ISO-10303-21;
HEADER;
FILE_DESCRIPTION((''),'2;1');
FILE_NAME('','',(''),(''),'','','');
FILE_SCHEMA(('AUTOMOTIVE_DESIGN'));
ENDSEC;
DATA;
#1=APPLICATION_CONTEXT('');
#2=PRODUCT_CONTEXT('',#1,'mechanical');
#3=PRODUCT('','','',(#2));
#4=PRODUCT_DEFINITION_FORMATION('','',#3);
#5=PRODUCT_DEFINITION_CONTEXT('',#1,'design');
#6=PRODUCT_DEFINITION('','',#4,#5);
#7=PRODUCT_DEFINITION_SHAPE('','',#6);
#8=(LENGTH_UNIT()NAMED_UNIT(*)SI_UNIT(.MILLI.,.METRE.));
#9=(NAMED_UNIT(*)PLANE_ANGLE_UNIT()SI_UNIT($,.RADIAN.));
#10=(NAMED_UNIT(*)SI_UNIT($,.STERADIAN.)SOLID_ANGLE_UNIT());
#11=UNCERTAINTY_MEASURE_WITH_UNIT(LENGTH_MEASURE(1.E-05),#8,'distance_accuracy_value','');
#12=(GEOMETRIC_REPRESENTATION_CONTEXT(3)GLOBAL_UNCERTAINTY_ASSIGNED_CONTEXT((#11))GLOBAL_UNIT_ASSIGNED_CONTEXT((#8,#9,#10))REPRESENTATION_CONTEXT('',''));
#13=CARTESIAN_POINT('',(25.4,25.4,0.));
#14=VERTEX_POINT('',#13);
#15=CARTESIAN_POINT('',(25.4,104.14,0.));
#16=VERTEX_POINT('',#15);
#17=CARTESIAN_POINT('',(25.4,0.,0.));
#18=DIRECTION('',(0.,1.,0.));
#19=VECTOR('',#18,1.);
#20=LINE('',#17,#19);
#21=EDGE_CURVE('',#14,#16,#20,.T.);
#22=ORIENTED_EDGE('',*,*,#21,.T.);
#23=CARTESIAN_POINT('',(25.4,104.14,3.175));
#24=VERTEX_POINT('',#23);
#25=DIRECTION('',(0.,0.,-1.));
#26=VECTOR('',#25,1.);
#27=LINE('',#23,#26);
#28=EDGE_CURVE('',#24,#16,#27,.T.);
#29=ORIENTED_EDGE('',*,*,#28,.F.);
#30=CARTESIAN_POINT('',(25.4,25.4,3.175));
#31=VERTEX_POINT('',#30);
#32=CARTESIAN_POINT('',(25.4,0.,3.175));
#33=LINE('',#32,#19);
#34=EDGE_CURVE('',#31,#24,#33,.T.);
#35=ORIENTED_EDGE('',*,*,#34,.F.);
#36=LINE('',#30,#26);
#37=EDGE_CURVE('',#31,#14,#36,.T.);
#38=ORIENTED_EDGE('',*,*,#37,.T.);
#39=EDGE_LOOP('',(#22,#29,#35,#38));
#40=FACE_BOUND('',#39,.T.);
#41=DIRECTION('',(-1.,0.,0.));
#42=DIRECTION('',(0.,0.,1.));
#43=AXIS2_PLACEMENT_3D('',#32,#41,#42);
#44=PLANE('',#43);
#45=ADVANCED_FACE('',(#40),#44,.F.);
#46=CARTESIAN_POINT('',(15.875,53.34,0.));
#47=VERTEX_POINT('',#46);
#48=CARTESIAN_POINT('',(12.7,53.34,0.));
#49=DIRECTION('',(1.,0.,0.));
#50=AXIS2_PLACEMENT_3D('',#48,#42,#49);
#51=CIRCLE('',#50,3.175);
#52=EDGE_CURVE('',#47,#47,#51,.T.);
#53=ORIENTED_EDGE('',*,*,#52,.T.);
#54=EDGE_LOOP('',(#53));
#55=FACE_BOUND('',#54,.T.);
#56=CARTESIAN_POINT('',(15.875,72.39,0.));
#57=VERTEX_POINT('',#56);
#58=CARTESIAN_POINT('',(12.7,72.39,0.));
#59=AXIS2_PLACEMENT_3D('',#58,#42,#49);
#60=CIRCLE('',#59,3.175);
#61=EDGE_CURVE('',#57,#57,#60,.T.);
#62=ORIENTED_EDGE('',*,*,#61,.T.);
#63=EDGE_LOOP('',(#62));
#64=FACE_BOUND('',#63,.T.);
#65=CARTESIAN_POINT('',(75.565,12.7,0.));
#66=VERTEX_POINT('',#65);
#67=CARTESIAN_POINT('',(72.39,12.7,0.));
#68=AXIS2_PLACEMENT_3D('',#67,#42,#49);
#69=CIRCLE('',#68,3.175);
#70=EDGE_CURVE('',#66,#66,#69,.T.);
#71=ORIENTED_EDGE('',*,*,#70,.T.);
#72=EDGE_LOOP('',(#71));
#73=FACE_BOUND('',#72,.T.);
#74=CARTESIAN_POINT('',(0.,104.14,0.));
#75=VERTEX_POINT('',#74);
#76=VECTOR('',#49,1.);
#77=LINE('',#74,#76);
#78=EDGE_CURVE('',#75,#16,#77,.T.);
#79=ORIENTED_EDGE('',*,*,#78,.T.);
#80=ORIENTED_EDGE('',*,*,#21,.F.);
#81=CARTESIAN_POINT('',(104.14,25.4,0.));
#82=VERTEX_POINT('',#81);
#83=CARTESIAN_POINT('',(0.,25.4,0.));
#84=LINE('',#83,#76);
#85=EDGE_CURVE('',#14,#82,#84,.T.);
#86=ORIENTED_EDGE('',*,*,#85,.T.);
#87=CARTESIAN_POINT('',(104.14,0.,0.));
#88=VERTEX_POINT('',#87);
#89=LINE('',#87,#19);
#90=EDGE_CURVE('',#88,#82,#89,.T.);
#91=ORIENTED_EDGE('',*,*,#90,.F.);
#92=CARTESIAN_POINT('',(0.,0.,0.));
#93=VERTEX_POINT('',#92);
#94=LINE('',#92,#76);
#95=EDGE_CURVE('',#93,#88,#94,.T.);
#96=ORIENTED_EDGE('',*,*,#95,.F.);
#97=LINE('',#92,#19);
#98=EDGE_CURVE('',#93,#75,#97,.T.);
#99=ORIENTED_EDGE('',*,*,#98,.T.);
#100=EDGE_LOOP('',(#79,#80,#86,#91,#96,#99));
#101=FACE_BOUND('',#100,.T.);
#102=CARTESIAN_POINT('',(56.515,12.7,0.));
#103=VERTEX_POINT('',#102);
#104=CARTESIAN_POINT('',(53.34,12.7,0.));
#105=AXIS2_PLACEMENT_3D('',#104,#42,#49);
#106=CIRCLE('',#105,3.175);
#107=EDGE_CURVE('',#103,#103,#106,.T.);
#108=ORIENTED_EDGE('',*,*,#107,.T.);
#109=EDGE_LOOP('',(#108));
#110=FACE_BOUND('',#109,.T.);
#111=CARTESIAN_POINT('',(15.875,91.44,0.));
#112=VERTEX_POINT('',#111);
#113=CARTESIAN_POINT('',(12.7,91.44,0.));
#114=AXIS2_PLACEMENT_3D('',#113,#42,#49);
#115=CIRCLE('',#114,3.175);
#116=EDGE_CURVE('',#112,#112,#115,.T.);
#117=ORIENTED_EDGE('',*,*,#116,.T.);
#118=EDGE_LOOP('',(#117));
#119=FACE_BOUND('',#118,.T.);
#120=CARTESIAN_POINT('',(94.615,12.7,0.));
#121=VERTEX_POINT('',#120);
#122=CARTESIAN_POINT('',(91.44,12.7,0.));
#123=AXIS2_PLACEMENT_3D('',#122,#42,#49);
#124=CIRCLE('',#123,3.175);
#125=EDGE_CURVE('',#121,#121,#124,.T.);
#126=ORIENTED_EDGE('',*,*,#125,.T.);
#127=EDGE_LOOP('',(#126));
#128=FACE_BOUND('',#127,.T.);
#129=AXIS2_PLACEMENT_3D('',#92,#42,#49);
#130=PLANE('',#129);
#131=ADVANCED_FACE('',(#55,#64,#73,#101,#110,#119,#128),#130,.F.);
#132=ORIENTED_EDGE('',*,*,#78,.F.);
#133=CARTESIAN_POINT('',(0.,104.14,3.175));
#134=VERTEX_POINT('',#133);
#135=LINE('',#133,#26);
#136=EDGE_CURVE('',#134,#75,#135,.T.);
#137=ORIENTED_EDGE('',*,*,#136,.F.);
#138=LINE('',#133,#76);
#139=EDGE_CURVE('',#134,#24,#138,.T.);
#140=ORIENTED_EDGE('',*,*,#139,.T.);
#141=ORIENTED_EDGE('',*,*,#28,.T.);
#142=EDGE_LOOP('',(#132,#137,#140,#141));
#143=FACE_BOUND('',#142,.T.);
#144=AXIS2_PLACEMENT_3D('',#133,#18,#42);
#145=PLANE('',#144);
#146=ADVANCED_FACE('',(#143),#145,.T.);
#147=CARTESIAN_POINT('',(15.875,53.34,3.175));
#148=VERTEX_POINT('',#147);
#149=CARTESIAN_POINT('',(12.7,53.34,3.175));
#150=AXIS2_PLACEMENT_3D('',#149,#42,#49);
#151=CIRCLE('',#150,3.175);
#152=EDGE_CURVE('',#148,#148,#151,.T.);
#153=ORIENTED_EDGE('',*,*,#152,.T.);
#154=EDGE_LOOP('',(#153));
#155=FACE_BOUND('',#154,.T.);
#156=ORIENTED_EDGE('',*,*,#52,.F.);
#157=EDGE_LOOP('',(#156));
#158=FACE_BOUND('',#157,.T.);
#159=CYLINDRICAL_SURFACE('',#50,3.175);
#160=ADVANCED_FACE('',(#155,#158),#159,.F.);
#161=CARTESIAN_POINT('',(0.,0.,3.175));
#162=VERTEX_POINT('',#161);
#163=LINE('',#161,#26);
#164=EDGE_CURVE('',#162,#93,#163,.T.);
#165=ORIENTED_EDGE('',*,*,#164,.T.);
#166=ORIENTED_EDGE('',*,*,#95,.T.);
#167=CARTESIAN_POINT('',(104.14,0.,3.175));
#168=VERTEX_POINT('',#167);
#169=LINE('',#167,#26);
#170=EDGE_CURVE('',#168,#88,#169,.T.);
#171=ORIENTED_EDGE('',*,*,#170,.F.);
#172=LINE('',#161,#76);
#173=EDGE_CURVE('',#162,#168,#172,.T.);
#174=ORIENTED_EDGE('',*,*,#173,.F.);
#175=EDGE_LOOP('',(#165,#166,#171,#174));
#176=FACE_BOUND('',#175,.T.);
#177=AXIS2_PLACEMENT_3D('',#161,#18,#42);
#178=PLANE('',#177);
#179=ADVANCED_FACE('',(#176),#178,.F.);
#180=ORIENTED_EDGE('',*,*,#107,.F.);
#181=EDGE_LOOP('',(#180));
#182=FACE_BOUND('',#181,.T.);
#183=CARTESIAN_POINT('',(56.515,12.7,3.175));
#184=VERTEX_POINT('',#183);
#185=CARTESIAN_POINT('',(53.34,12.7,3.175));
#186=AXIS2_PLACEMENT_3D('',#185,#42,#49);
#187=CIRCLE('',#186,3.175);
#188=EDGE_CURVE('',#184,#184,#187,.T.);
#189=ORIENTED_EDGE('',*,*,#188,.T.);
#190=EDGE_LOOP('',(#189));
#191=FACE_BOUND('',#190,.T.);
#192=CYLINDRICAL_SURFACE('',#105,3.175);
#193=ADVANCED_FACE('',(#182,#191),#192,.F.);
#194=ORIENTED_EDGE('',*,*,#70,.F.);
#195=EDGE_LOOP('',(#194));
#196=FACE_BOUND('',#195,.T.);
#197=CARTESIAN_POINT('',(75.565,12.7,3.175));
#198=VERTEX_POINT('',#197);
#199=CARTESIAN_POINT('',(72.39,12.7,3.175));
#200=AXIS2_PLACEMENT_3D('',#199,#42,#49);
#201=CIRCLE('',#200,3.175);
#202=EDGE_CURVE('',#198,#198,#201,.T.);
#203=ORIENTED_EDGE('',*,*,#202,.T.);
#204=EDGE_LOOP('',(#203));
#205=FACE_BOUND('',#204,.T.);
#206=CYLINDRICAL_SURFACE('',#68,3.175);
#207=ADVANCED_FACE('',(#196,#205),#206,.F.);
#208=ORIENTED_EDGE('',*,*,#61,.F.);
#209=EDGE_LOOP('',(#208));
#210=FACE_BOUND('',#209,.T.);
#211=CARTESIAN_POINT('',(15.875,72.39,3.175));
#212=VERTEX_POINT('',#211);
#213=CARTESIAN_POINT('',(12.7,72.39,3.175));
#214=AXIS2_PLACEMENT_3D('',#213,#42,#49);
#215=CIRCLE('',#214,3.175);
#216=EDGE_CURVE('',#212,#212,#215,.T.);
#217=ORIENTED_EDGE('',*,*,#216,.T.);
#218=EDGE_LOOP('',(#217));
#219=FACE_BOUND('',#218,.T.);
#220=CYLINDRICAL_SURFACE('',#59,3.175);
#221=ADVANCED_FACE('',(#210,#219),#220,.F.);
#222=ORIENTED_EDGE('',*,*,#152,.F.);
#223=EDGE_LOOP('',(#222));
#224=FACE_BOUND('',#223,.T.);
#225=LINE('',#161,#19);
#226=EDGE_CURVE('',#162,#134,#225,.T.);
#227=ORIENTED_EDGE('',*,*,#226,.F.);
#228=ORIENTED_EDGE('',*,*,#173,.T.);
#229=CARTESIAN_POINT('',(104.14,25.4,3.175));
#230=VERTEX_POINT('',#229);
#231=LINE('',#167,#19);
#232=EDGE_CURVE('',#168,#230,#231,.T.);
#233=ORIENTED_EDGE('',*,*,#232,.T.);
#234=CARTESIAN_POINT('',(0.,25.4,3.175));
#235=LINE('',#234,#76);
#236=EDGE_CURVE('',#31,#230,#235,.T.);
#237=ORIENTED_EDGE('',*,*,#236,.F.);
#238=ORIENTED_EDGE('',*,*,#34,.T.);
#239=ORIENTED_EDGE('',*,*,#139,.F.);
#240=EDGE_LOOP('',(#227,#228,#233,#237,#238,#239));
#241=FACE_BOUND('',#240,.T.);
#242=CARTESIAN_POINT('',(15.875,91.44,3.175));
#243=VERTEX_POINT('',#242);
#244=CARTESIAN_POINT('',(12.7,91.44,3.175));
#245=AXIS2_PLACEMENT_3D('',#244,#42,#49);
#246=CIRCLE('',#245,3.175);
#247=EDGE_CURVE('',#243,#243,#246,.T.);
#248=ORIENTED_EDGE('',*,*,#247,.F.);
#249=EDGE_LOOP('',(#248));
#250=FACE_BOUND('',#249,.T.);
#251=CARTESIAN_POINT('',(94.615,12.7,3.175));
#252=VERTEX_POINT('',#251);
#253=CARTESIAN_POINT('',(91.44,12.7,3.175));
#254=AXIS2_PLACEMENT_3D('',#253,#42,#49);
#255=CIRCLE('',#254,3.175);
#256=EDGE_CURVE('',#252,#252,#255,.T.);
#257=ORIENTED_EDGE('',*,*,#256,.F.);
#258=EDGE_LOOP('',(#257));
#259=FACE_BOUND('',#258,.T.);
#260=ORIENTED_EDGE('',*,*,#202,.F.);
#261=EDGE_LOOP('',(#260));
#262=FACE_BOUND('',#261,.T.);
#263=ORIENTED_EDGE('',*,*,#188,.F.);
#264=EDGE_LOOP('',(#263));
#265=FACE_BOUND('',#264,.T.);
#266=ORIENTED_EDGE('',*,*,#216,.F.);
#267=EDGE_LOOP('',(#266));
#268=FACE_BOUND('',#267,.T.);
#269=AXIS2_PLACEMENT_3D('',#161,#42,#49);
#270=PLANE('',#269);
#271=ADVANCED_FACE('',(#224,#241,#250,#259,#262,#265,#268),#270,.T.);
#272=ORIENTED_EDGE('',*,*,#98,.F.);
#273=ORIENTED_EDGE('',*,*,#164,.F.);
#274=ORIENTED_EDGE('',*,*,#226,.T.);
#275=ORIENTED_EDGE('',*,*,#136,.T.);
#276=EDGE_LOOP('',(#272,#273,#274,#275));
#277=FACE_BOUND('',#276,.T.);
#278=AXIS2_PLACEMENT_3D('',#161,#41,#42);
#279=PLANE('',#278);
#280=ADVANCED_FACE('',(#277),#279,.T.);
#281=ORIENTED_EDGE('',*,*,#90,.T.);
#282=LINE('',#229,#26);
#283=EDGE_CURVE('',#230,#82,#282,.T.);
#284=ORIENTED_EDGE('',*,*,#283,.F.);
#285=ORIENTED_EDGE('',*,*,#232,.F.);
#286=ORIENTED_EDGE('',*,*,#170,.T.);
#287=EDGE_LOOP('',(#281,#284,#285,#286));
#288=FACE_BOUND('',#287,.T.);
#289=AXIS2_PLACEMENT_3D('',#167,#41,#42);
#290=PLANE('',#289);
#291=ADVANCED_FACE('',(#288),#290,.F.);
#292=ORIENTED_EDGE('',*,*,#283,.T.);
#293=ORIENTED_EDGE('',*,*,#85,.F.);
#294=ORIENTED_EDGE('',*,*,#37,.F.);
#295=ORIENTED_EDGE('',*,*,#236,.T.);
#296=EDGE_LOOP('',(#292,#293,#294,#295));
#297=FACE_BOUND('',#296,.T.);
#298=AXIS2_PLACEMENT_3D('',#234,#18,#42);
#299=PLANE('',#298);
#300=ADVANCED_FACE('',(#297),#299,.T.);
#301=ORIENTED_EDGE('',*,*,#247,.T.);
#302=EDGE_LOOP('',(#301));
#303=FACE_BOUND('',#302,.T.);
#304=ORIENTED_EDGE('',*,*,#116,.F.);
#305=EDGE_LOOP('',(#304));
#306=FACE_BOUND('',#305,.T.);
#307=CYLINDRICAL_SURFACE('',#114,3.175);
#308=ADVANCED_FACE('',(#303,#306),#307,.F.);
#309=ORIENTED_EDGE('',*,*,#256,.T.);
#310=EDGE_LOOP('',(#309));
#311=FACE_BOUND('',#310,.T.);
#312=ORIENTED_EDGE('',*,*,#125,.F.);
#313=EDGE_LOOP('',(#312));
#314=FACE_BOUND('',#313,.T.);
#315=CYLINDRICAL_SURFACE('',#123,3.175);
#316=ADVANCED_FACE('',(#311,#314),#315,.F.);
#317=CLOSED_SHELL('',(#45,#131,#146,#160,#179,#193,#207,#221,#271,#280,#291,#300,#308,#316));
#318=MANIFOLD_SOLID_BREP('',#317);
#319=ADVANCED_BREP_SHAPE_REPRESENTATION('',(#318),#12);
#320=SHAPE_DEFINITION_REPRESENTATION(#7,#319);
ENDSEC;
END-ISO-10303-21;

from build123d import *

# Parameters (mm, degrees)
BOSS_EXTRUDE1_DEPTH = 3.175
SKETCH2_R           = 3.175
CUT_EXTRUDE1_DEPTH  = 148.310419947


with BuildPart() as part:
    # Sketch1 → Boss-Extrude1 (new body)
    with BuildSketch(Plane.XY):
        Polygon((0, 25.4), (0, 0), (25.4, 0), (104.14, 0), (104.14, 25.4), (25.4, 25.4), (25.4, 104.14), (0, 104.14), align=None)
    extrude(amount=BOSS_EXTRUDE1_DEPTH)

    # Sketch2 → Cut-Extrude1 (cut, through all)
    with BuildSketch(Plane.XY.offset(3.175)):
        with Locations((53.34, 12.7)):
            Circle(SKETCH2_R)
        with Locations((72.39, 12.7)):
            Circle(SKETCH2_R)
        with Locations((12.7, 53.34)):
            Circle(SKETCH2_R)
        with Locations((12.7, 72.39)):
            Circle(SKETCH2_R)
        with Locations((12.7, 91.44)):
            Circle(SKETCH2_R)
        with Locations((91.44, 12.7)):
            Circle(SKETCH2_R)
    extrude(amount=-CUT_EXTRUDE1_DEPTH, mode=Mode.SUBTRACT)


solid = part.part
